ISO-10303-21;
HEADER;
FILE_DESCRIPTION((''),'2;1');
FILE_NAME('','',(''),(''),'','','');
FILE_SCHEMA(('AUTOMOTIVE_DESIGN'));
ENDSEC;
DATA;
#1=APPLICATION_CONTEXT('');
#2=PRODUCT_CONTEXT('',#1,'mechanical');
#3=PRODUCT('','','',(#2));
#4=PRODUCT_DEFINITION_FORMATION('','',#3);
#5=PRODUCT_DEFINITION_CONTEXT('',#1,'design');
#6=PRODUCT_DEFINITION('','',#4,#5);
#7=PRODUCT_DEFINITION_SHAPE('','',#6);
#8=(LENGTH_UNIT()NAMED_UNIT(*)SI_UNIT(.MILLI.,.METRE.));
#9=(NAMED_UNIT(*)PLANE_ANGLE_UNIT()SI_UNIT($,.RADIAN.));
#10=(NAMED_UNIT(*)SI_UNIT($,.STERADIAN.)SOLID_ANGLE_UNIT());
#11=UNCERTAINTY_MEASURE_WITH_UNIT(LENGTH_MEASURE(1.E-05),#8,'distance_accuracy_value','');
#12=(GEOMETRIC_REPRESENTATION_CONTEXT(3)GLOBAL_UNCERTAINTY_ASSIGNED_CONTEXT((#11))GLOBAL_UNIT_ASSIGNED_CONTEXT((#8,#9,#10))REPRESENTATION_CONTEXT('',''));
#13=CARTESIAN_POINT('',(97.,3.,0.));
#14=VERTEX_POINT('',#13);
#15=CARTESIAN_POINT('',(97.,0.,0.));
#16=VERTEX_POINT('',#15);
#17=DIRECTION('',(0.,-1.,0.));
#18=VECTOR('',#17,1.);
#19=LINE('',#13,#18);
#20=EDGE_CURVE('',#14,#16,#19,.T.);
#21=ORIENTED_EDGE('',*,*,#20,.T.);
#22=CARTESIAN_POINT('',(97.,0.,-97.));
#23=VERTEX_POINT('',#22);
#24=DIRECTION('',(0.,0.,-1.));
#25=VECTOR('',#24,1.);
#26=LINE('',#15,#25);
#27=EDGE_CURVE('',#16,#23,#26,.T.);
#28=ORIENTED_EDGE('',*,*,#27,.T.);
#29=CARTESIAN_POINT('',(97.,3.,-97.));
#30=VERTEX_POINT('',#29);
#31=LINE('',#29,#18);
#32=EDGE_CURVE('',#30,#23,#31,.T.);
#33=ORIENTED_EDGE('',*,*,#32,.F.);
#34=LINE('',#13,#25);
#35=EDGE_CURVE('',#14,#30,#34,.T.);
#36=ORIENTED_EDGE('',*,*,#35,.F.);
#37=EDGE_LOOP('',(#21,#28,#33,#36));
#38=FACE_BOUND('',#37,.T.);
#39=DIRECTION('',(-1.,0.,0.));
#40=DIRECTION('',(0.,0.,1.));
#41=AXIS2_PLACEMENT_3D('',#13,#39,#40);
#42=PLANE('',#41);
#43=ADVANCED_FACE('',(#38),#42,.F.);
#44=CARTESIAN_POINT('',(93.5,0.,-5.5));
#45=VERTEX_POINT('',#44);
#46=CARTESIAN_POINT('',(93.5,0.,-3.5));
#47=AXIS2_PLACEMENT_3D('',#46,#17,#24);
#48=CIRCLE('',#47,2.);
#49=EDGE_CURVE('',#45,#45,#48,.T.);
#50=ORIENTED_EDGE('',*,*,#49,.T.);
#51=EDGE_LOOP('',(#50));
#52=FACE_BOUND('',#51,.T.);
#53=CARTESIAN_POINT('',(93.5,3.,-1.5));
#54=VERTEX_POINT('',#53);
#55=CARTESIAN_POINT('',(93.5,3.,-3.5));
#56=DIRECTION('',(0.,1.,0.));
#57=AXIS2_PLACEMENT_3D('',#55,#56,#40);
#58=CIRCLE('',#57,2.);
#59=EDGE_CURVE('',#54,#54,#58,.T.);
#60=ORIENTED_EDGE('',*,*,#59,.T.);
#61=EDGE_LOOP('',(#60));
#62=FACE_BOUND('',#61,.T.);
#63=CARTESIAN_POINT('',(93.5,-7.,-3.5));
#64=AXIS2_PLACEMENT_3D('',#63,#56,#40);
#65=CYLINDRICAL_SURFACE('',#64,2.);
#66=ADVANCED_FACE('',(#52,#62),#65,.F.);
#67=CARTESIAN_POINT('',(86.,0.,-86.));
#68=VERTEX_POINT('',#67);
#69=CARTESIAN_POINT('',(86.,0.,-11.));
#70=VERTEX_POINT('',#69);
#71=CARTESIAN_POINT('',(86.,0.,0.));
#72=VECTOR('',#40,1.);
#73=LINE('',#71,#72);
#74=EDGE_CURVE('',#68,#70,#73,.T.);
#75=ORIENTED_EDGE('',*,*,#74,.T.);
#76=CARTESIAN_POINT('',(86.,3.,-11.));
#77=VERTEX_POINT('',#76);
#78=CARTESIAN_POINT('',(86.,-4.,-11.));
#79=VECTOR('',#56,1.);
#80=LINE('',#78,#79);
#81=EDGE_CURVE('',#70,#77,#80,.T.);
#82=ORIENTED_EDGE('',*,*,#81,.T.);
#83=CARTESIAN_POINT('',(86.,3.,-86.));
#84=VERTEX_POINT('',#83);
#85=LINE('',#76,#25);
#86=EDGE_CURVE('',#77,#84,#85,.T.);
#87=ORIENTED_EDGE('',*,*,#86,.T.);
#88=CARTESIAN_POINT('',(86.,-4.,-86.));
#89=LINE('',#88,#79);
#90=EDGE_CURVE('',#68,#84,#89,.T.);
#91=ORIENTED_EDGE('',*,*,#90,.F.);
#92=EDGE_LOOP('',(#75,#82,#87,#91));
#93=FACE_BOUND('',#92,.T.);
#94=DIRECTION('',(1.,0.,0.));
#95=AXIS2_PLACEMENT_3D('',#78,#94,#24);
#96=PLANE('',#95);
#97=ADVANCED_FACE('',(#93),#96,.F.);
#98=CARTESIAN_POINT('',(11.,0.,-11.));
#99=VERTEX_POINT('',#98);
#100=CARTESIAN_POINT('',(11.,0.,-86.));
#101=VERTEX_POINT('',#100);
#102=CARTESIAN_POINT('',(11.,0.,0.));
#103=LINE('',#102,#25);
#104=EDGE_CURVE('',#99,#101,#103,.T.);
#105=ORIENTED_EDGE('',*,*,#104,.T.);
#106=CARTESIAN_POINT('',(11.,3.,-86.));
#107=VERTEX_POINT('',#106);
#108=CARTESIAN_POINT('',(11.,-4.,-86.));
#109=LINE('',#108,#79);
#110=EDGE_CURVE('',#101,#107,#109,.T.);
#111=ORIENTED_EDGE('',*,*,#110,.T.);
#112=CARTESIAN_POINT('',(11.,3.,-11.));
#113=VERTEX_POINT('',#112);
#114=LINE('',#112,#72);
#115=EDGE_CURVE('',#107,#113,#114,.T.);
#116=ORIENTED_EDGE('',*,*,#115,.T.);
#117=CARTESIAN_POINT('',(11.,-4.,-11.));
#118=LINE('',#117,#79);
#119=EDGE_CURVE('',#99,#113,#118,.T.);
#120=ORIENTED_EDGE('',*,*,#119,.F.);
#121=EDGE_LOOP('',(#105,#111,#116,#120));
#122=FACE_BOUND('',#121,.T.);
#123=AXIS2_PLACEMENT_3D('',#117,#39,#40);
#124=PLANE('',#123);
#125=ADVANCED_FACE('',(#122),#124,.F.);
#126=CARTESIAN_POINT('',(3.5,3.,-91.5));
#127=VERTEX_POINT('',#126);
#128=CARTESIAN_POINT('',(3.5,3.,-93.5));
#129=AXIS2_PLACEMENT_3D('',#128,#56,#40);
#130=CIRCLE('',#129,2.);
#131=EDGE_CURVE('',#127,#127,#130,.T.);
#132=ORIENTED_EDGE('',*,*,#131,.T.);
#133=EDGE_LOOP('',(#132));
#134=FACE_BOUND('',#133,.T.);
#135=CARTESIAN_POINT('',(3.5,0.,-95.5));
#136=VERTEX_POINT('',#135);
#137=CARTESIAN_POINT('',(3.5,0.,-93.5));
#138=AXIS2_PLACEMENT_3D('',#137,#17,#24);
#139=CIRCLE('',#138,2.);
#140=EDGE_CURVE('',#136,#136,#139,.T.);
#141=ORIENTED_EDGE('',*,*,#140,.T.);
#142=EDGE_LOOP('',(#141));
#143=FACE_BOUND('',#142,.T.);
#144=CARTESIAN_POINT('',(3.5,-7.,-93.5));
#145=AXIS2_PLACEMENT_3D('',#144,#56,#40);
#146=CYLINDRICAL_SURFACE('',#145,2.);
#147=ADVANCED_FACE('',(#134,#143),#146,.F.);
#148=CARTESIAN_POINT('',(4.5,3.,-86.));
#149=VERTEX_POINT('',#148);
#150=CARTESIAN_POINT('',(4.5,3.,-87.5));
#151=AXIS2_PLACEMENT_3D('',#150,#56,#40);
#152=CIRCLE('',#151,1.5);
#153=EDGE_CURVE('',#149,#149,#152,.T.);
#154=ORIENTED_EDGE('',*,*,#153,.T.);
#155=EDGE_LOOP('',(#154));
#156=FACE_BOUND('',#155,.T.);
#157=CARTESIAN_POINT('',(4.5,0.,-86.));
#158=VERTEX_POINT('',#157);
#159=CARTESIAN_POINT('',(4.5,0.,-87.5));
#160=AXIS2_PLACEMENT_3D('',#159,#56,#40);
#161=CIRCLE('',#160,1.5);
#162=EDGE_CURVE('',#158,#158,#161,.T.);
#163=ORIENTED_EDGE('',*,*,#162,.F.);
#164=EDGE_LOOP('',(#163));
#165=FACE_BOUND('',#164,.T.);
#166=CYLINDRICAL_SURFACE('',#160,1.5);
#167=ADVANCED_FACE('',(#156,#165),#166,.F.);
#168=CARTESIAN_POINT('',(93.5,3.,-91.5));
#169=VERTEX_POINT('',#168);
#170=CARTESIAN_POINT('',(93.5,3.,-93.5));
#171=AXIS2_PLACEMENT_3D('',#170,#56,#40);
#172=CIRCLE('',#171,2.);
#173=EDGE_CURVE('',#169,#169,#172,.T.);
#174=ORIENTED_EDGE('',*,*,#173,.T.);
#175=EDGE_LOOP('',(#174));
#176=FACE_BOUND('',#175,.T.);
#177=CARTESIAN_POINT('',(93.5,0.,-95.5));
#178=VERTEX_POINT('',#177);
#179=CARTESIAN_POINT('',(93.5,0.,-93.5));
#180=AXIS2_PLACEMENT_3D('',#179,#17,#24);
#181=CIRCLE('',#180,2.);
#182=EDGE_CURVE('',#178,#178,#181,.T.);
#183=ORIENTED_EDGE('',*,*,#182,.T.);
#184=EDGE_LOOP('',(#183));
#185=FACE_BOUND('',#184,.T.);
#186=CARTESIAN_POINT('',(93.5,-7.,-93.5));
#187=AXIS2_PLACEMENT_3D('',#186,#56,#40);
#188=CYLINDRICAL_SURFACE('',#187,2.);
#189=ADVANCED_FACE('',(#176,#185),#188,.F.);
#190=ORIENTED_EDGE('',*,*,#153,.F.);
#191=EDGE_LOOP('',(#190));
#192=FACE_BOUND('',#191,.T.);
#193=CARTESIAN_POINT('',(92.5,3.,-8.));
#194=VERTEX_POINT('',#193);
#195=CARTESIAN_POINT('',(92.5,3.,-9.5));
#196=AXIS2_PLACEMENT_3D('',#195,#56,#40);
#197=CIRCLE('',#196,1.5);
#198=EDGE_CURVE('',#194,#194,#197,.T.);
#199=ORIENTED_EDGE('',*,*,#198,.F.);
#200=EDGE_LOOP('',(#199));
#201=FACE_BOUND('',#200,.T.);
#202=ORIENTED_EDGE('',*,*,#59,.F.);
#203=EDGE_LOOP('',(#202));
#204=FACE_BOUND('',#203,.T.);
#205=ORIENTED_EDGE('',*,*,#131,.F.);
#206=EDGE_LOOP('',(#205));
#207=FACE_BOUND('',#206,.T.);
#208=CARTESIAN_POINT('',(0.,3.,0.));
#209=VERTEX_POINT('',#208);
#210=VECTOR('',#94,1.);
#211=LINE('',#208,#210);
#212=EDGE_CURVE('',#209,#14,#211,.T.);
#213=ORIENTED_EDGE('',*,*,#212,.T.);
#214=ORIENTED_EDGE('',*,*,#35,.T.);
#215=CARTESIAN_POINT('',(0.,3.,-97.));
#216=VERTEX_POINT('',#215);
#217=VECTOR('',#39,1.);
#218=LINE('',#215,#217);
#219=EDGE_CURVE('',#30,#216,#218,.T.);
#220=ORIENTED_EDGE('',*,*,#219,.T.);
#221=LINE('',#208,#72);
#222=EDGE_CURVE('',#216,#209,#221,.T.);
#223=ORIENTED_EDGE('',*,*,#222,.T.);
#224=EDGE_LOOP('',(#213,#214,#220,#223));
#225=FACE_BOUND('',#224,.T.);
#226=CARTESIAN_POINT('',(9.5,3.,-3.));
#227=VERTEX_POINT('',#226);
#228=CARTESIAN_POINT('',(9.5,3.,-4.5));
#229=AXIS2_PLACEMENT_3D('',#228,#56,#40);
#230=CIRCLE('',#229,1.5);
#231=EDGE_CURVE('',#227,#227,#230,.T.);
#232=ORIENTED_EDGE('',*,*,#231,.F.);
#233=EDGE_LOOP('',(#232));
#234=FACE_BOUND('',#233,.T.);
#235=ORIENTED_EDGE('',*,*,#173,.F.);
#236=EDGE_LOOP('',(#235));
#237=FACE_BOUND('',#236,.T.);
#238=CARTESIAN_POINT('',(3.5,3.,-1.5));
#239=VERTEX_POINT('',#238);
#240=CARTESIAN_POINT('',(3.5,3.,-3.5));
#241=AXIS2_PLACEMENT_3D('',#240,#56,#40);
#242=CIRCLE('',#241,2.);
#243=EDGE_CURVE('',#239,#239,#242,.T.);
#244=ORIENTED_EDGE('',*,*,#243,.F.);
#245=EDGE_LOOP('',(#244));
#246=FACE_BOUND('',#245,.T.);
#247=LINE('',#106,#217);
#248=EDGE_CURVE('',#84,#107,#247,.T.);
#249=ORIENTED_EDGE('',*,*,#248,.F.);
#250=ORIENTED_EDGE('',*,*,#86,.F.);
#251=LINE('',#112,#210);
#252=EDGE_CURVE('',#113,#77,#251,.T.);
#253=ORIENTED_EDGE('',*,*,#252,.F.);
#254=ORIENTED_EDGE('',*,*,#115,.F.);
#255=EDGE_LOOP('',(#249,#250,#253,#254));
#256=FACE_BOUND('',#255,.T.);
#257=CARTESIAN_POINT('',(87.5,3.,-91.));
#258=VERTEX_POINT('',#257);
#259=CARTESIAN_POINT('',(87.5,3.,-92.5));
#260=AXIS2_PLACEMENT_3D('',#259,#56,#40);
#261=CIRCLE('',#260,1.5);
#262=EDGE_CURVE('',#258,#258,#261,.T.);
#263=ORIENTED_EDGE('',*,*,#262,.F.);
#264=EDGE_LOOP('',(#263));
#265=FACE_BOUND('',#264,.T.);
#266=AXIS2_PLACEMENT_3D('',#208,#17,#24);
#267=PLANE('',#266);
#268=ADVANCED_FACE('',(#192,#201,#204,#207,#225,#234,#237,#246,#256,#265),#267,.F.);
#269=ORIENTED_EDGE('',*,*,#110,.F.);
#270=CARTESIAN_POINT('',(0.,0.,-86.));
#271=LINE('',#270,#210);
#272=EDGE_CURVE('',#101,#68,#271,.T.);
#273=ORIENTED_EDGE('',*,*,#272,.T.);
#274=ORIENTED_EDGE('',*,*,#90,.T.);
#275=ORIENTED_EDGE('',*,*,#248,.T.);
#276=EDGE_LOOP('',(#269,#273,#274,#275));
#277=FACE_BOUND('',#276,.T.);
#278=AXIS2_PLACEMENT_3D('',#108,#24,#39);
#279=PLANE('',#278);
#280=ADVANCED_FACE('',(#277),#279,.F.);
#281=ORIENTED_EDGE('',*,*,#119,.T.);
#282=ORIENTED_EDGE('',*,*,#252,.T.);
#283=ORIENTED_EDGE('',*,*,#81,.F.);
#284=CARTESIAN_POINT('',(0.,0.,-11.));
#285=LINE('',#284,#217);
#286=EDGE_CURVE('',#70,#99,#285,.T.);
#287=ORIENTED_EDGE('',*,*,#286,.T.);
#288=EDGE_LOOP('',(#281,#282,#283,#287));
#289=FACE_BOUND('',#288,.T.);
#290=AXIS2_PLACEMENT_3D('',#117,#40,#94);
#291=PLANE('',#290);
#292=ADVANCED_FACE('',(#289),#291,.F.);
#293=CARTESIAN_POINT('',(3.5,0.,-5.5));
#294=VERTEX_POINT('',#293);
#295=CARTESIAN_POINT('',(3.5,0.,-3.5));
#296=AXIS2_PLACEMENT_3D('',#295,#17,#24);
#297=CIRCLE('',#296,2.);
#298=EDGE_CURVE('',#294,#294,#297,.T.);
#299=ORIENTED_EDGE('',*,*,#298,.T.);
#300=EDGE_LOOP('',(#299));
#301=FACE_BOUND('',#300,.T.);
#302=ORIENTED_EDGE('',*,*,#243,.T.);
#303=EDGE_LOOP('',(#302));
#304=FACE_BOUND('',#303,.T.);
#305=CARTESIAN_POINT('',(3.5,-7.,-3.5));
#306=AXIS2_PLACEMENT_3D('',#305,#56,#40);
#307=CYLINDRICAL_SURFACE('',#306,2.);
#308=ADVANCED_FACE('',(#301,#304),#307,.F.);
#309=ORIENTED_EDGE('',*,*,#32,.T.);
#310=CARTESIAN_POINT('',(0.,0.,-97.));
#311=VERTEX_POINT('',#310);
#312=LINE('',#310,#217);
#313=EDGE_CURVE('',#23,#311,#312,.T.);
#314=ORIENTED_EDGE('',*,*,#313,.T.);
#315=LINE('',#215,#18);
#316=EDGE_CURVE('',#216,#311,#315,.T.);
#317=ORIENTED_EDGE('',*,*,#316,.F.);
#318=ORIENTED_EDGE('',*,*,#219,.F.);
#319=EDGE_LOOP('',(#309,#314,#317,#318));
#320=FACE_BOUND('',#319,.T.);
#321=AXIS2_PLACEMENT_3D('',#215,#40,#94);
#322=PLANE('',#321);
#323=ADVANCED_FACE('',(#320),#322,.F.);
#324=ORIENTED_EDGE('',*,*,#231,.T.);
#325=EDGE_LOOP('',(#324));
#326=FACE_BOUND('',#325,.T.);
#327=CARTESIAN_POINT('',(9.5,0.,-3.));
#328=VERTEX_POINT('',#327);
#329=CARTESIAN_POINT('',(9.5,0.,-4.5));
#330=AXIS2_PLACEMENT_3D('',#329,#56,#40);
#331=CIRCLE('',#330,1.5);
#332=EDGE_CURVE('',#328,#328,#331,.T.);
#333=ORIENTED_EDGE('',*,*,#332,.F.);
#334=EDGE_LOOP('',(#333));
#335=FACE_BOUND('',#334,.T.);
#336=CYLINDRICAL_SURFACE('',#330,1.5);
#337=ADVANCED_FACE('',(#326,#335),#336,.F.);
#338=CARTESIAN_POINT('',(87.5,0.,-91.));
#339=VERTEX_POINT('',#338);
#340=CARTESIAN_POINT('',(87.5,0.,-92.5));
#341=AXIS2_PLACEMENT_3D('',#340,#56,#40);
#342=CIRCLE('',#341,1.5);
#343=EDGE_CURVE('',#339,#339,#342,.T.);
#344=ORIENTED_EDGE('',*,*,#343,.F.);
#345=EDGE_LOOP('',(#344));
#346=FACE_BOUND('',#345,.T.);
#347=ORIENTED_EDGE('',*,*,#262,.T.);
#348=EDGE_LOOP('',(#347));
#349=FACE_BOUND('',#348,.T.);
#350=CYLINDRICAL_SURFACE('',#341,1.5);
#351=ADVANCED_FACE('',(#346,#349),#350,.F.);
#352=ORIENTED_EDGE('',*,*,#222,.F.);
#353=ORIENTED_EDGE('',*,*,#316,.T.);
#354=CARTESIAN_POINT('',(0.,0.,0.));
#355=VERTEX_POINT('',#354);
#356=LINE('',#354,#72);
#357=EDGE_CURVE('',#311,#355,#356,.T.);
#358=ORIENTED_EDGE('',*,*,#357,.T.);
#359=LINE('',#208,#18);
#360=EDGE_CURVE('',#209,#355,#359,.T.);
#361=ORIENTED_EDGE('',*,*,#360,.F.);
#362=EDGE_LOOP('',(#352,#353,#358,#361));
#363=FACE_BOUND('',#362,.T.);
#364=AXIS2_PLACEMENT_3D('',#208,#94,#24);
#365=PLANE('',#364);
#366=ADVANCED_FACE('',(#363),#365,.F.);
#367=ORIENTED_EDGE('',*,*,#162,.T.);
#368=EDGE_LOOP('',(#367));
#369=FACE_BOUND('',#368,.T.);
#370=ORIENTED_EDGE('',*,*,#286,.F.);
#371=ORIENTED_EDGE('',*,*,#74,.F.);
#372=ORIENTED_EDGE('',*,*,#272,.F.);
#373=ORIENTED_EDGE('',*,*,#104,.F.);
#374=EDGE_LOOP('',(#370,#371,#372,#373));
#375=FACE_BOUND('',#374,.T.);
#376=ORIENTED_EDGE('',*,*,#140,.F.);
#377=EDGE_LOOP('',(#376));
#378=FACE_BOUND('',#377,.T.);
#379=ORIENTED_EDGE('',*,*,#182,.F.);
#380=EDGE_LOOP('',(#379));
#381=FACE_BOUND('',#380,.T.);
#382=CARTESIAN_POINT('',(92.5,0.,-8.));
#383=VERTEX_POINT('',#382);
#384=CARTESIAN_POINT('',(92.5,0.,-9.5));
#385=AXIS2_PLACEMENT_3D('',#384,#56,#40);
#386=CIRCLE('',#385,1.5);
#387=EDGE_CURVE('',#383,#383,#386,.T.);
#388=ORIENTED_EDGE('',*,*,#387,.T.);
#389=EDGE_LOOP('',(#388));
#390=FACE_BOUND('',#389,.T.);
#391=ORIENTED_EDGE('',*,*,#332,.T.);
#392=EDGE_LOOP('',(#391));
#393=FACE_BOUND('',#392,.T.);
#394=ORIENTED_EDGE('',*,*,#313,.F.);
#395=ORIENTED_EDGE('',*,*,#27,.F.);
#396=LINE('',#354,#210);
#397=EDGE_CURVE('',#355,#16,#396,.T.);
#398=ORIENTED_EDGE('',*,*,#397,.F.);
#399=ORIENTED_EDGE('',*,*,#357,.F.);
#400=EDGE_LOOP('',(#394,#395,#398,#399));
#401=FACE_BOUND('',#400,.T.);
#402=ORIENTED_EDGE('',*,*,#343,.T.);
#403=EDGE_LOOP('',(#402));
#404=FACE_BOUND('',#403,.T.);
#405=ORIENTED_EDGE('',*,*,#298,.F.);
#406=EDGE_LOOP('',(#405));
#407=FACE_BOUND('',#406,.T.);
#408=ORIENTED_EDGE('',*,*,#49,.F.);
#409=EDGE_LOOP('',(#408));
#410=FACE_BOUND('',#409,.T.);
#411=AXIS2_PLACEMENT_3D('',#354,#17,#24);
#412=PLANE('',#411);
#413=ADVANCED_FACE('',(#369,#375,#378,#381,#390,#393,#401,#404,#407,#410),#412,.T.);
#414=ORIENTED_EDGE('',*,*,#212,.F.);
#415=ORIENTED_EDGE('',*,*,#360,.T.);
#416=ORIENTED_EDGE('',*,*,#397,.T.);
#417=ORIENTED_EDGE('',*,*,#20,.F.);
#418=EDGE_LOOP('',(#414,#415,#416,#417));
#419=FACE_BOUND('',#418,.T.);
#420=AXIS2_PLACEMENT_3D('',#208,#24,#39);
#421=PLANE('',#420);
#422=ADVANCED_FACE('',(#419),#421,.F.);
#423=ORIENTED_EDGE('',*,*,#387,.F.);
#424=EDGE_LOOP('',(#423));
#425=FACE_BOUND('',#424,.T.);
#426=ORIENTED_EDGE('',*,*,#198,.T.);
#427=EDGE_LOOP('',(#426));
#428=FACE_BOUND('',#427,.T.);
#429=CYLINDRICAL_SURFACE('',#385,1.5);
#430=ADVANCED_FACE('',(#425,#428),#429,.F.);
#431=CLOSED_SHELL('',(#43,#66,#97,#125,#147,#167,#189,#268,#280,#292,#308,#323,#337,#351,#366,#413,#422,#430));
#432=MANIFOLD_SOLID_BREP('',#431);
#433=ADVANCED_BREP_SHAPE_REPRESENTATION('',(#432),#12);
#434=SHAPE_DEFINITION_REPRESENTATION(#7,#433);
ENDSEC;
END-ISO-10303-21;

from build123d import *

# Parameters (mm, degrees)
SKETCH1_W           = 97
SKETCH1_H           = 97
BOSS_EXTRUDE1_DEPTH = 3
SKETCH2_R           = 1.5
CUT_EXTRUDE4_DEPTH  = 138.211515552
SKETCH3_W           = 75
SKETCH3_H           = 75
CUT_EXTRUDE5_DEPTH  = 7
SKETCH4_R           = 2
CUT_EXTRUDE6_DEPTH  = 10


with BuildPart() as part:
    # Sketch1 → Boss-Extrude1 (new body)
    with BuildSketch(Plane(origin=(0, 0, 0), x_dir=(1, 0, 0), z_dir=(0, 1, 0))):
        with Locations((48.5, 48.5)):
            Rectangle(SKETCH1_W, SKETCH1_H)
    extrude(amount=BOSS_EXTRUDE1_DEPTH)

    # Sketch2 → Cut-Extrude4 (cut, through all)
    with BuildSketch(Plane(origin=(0, 3, 0), x_dir=(1, 0, 0), z_dir=(0, 1, 0))):
        with Locations(Location((4.5, 87.5, 0), (0, 0, 270))):
            Circle(SKETCH2_R)
        with Locations(Location((87.5, 92.5, 0), (0, 0, 270))):
            Circle(SKETCH2_R)
        with Locations(Location((92.5, 9.5, 0), (0, 0, 270))):
            Circle(SKETCH2_R)
        with Locations(Location((9.5, 4.5, 0), (0, 0, 270))):
            Circle(SKETCH2_R)
    extrude(amount=-CUT_EXTRUDE4_DEPTH, mode=Mode.SUBTRACT)

    # Sketch3 → Cut-Extrude5 (cut)
    with BuildSketch(Plane(origin=(0, 3, 0), x_dir=(1, 0, 0), z_dir=(0, 1, 0))):
        with Locations((48.5, 48.5)):
            Rectangle(SKETCH3_W, SKETCH3_H)
    extrude(amount=-CUT_EXTRUDE5_DEPTH, mode=Mode.SUBTRACT)

    # Sketch4 → Cut-Extrude6 (cut)
    with BuildSketch(Plane(origin=(0, 3, 0), x_dir=(1, 0, 0), z_dir=(0, 1, 0))):
        with Locations(Location((93.5, 3.5, 0), (0, 0, 270))):
            Circle(SKETCH4_R)
        with Locations(Location((3.5, 93.5, 0), (0, 0, 270))):
            Circle(SKETCH4_R)
        with Locations(Location((93.5, 93.5, 0), (0, 0, 270))):
            Circle(SKETCH4_R)
        with Locations(Location((3.5, 3.5, 0), (0, 0, 270))):
            Circle(SKETCH4_R)
    extrude(amount=-CUT_EXTRUDE6_DEPTH, mode=Mode.SUBTRACT)


solid = part.part
